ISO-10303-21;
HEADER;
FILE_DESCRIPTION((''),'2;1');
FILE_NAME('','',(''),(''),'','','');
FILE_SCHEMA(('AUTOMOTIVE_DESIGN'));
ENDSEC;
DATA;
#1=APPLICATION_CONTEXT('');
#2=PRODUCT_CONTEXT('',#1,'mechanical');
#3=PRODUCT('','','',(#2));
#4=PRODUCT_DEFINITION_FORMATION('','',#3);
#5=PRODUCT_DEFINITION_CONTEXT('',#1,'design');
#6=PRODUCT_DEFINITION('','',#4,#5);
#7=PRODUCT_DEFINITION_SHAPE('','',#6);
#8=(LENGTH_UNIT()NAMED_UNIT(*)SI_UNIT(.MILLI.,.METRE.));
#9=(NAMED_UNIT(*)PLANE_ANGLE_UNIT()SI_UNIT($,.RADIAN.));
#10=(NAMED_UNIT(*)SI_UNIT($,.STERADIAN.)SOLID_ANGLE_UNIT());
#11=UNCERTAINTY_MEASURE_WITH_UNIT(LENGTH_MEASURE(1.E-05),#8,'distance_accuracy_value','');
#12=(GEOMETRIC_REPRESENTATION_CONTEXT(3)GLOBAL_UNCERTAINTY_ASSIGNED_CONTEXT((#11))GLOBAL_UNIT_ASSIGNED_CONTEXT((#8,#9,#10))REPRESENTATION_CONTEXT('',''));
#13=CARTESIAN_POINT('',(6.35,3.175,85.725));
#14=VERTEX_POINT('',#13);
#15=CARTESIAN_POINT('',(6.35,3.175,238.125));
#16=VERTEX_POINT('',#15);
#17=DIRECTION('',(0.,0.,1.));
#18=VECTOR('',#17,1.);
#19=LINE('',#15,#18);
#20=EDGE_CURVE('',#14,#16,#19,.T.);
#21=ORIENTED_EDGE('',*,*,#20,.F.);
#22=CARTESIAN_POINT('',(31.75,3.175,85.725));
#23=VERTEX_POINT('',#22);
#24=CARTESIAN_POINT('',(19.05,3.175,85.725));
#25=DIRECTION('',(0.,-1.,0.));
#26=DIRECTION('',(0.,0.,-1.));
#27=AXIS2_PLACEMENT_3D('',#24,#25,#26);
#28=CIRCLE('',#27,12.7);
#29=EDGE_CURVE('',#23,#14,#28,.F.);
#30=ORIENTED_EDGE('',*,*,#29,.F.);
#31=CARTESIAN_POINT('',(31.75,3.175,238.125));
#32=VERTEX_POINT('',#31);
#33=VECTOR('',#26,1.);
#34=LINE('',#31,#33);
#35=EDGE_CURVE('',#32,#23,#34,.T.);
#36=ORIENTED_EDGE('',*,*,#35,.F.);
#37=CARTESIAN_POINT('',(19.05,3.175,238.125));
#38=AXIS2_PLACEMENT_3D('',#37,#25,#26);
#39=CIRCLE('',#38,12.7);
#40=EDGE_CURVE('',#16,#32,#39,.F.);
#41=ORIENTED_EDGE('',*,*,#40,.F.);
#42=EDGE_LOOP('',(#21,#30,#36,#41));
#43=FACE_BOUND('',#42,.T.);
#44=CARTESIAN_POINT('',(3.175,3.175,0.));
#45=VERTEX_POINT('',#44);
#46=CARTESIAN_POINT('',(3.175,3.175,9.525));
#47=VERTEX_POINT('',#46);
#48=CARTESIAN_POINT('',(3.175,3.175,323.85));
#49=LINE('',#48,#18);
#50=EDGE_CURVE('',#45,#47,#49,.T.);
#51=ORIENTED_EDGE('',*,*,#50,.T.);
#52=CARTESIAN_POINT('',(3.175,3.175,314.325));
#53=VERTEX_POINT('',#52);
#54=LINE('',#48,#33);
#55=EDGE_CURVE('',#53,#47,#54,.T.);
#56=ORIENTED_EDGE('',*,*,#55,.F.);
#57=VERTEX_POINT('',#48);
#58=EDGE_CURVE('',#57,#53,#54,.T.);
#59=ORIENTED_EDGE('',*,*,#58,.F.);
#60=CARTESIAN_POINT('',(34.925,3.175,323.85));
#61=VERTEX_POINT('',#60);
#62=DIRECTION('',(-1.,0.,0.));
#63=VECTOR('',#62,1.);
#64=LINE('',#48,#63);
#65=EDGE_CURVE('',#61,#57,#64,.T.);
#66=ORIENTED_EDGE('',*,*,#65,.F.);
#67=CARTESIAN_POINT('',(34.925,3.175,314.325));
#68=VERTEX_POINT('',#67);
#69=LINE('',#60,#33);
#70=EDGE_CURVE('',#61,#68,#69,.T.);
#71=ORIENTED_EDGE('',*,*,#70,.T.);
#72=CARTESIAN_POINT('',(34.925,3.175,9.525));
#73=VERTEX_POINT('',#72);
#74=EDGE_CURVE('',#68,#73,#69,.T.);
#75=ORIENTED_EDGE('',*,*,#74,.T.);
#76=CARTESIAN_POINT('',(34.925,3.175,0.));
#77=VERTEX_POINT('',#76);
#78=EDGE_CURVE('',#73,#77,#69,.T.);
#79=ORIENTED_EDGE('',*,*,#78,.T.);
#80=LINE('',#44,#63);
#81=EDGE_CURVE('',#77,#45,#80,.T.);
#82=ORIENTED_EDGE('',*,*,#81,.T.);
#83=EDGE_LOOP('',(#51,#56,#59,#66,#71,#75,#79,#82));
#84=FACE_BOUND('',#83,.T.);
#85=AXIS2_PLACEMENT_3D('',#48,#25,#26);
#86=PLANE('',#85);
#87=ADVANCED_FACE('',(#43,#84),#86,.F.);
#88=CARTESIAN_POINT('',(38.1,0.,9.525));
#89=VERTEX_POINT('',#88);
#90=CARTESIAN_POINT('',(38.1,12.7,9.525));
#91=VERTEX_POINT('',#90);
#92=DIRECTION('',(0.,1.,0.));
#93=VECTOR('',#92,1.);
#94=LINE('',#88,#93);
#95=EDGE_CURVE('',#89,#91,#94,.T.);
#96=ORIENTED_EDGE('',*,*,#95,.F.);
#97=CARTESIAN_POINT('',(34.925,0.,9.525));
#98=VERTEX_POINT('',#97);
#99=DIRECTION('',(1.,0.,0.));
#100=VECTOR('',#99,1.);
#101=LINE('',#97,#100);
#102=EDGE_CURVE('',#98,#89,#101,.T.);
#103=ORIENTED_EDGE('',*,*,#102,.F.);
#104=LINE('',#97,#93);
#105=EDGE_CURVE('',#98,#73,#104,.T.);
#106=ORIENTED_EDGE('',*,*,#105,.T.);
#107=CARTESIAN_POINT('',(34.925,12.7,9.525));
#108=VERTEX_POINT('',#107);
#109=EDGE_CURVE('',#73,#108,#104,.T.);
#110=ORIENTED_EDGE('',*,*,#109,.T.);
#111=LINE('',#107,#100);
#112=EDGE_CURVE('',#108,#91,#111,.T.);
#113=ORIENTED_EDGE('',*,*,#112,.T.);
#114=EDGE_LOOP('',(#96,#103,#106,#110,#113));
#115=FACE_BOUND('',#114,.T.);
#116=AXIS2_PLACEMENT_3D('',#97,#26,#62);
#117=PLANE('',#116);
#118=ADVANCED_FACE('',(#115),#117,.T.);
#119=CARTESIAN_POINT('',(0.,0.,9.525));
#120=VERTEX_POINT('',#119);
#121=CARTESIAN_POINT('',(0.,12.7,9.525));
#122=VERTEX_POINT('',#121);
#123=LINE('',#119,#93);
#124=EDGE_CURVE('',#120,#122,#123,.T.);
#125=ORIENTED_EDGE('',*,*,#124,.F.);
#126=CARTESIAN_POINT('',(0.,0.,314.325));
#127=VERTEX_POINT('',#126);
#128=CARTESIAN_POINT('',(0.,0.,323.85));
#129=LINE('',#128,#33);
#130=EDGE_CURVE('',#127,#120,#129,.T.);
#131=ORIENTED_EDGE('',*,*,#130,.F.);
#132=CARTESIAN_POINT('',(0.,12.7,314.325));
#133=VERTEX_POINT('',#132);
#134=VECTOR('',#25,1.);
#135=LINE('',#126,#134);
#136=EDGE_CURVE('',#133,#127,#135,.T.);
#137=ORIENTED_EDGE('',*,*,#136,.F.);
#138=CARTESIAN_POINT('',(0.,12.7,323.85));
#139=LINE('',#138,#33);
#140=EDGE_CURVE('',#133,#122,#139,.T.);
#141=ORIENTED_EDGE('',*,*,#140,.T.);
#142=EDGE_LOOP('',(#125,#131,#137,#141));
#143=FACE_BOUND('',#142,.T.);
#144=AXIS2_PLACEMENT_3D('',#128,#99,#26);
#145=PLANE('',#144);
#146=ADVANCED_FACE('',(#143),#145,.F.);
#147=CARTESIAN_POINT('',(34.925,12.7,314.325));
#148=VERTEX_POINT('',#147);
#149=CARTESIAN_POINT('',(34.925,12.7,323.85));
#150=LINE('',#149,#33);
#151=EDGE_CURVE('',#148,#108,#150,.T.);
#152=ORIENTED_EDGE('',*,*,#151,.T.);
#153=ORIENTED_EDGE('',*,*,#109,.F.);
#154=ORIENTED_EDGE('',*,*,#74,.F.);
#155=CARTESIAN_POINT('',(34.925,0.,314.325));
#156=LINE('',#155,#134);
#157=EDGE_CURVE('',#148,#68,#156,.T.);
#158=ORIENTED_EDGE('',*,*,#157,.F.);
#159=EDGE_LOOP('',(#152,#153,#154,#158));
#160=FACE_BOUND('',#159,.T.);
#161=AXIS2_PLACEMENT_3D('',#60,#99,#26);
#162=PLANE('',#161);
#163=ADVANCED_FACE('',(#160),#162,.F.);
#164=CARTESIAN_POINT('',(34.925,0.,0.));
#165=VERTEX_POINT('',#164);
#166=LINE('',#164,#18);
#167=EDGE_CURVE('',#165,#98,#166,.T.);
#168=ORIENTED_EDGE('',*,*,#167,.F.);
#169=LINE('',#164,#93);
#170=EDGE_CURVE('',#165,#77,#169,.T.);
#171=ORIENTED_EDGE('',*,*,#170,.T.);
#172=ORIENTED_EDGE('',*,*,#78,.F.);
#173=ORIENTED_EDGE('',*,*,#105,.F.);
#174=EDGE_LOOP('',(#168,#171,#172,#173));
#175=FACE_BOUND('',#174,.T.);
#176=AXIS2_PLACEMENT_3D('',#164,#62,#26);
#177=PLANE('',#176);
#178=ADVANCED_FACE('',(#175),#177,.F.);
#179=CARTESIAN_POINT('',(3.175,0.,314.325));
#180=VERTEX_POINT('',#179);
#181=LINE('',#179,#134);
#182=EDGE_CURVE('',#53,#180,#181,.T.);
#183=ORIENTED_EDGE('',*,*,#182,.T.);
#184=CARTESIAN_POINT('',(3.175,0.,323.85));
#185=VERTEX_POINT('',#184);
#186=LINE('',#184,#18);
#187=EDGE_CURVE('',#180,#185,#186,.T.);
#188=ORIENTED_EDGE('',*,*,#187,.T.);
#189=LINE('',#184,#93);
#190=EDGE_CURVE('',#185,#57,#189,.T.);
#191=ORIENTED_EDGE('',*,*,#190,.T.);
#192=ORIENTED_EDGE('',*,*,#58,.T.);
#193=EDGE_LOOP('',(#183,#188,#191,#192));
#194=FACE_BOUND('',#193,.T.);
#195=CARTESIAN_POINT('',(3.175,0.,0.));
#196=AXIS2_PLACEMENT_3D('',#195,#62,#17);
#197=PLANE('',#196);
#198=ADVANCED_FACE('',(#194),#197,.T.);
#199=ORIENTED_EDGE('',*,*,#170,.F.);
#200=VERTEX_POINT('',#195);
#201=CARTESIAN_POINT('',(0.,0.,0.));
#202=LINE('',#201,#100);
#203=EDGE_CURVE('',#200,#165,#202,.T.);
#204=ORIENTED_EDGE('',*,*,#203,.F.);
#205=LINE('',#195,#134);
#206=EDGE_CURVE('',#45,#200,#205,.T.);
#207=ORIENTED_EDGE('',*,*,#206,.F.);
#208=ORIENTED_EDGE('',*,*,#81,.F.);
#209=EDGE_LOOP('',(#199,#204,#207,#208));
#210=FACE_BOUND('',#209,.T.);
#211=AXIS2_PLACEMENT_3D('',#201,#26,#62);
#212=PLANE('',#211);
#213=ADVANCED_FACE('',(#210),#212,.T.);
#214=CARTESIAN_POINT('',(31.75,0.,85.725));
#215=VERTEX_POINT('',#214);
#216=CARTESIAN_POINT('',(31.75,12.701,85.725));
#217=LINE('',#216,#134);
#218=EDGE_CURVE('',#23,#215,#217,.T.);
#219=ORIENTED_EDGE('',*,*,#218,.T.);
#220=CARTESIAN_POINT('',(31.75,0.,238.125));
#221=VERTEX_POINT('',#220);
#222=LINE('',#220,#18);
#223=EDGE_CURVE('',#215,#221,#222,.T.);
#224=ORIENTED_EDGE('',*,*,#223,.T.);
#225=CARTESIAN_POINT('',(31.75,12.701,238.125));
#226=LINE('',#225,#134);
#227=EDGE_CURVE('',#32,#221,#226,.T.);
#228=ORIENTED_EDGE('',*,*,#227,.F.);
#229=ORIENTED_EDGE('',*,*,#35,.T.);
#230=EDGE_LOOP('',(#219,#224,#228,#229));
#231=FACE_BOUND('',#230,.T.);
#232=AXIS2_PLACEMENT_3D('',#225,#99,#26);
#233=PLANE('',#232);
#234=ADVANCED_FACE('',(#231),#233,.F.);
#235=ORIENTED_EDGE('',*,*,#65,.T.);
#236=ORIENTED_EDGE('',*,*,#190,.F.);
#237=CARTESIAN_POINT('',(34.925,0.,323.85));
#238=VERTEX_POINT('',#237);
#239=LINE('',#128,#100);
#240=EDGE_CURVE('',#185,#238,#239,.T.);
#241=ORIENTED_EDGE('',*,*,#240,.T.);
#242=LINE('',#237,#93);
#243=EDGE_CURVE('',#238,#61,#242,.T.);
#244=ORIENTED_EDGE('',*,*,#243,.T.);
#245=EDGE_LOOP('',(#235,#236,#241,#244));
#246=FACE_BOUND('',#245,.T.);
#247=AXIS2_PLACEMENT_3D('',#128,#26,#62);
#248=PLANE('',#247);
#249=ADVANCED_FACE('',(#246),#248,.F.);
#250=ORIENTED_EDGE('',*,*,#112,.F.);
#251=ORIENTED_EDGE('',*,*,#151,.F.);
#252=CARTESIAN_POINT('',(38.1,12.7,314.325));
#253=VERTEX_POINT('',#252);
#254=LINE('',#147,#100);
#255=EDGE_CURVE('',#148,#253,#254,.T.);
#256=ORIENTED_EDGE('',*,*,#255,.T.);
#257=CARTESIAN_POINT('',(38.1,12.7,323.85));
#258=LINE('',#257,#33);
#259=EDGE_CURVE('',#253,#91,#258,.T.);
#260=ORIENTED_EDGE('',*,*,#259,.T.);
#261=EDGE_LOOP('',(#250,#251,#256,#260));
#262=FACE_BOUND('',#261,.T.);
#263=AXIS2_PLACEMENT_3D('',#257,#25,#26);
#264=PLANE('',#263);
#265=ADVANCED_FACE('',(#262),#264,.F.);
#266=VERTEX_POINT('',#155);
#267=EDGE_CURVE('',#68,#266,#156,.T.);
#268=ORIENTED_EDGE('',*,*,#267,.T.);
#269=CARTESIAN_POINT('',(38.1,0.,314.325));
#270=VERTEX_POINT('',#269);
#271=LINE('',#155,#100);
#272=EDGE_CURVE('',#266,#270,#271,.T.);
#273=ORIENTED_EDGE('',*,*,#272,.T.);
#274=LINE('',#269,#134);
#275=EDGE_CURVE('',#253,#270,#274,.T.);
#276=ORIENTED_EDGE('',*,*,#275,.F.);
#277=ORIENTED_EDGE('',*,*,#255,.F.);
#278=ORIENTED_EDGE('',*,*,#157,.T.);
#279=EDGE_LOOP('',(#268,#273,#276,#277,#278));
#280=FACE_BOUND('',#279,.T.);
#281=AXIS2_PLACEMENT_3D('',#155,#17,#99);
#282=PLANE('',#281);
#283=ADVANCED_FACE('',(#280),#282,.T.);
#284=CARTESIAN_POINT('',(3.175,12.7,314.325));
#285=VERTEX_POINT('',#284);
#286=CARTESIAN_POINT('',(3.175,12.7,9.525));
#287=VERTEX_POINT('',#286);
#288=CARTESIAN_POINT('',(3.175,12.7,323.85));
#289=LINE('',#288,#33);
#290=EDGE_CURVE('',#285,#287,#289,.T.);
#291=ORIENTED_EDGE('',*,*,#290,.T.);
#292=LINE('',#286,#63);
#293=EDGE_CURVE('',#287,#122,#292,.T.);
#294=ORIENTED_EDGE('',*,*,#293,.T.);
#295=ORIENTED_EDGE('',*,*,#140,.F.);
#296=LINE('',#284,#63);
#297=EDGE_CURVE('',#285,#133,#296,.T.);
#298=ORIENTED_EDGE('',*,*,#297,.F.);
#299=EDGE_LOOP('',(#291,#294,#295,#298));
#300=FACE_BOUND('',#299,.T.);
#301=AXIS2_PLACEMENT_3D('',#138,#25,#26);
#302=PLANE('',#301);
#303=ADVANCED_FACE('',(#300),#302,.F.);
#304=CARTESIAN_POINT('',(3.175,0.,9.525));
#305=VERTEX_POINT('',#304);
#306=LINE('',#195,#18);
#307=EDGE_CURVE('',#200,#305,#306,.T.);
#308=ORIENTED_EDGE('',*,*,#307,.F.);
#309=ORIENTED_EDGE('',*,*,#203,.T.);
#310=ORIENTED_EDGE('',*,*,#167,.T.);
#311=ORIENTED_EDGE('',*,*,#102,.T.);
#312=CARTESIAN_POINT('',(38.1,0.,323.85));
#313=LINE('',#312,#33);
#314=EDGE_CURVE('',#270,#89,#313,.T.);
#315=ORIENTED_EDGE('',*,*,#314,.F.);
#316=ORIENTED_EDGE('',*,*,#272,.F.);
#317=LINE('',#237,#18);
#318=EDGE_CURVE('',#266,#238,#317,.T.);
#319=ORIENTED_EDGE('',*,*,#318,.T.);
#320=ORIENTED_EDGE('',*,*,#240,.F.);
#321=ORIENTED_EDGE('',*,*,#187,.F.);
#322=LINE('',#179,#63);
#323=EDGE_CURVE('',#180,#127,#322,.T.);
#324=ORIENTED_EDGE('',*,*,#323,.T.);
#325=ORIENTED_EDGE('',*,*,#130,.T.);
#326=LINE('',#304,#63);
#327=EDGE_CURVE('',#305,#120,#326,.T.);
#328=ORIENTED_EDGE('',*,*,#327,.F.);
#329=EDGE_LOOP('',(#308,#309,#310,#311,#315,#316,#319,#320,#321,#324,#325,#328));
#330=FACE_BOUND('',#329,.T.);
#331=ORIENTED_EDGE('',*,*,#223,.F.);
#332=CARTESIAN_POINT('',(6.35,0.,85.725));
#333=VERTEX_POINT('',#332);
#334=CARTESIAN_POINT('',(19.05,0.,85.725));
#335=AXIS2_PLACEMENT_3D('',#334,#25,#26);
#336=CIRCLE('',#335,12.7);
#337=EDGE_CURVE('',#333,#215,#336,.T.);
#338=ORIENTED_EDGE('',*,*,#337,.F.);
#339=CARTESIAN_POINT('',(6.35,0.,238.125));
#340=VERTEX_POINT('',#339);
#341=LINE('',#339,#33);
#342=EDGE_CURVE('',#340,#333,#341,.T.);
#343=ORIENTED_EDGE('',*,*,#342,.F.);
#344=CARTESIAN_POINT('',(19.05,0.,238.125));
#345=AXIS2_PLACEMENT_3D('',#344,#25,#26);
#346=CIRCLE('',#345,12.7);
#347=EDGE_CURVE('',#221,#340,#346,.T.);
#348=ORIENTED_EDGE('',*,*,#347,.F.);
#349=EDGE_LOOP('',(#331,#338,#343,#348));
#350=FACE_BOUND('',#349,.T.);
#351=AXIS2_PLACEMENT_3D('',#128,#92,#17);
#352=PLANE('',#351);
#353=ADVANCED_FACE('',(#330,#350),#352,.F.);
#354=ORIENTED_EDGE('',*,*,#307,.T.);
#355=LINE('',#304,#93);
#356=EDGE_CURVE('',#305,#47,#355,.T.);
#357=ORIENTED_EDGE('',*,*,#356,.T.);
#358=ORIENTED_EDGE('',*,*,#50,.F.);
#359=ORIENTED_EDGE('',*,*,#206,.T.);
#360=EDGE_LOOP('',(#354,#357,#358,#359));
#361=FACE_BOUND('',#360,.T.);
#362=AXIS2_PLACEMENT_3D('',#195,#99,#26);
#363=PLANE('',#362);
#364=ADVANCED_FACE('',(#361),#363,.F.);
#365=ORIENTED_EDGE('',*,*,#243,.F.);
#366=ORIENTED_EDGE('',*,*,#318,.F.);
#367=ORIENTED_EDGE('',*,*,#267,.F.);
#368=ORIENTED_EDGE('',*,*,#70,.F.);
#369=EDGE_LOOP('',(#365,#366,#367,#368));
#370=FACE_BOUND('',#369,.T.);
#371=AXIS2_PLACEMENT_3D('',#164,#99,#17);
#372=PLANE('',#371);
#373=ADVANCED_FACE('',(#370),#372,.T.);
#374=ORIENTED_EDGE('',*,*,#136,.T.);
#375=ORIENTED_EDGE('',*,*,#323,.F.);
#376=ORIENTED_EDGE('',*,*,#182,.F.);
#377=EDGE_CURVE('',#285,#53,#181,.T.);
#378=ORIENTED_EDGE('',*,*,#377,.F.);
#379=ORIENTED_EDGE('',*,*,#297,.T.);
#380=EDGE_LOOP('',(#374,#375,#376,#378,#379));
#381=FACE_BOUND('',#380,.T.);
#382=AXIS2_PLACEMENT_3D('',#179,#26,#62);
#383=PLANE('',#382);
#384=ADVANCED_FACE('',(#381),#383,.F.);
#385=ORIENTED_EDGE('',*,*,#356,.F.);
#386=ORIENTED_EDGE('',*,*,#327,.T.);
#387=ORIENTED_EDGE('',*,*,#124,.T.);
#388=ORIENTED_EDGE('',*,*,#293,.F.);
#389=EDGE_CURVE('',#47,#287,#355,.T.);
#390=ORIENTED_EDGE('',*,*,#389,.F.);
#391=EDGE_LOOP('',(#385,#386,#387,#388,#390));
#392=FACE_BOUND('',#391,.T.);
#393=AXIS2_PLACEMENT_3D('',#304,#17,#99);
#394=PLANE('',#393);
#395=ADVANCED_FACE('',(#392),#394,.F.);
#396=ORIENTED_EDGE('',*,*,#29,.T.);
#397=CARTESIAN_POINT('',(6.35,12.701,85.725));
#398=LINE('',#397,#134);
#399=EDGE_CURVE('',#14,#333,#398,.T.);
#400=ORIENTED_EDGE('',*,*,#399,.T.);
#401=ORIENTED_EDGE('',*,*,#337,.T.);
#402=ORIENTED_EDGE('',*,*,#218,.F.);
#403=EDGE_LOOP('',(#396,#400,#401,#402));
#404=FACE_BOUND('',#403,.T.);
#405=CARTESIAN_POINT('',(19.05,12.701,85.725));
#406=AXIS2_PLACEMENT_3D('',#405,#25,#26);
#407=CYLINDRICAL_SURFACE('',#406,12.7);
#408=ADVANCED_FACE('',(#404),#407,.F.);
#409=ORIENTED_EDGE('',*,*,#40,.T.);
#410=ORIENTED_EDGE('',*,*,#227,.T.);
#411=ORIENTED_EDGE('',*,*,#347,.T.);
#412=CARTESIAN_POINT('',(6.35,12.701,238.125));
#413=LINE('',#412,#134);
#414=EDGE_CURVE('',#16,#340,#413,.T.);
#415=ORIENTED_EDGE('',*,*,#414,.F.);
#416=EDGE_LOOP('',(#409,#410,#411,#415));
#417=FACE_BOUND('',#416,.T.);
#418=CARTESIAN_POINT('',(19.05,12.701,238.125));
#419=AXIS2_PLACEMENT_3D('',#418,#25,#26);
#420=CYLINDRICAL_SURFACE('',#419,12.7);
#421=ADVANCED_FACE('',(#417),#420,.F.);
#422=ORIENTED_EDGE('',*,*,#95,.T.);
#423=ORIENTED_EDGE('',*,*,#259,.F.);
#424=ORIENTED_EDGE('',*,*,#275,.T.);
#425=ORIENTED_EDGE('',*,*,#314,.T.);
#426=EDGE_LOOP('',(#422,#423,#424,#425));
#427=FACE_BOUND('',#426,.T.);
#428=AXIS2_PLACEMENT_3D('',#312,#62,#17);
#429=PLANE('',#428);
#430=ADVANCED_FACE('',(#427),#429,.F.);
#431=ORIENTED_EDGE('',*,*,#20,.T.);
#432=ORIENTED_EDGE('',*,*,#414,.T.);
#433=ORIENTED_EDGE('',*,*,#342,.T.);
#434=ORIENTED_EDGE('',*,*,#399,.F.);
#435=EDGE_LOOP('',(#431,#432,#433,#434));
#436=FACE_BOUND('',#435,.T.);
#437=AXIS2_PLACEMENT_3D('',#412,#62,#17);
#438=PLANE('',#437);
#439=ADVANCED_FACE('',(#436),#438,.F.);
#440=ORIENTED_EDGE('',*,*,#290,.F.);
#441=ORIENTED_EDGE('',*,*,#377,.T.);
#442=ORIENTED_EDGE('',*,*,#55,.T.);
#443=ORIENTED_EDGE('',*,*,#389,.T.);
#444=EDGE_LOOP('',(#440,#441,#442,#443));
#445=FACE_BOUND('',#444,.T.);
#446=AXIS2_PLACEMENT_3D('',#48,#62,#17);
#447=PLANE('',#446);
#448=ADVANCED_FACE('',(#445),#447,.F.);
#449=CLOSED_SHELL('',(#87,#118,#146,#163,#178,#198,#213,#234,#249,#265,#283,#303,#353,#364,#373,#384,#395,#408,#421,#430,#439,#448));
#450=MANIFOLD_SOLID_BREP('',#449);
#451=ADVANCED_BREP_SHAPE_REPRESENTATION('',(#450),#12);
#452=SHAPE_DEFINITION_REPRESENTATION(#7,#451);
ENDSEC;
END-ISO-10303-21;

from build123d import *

# Parameters (mm, degrees)
BOSS_EXTRUDE1_DEPTH = 323.85
SKETCH2_W           = 9.525
SKETCH2_H           = 12.7
CUT_EXTRUDE1_DEPTH  = 3.175
CUT_EXTRUDE2_REACH  = 14.7


with BuildPart() as part:
    # Sketch1 → Boss-Extrude1 (new body)
    with BuildSketch(Plane.XY):
        Polygon((3.175, 3.175), (3.175, 12.7), (0, 12.7), (0, 0), (38.1, 0), (38.1, 12.7), (34.925, 12.7), (34.925, 3.175), align=None)
    extrude(amount=BOSS_EXTRUDE1_DEPTH)

    # Sketch2 → Cut-Extrude1 (cut)
    with BuildSketch(Plane.ZY):
        with Locations((319.0875, 6.35)):
            Rectangle(SKETCH2_W, SKETCH2_H)
        with Locations((4.7625, 6.35)):
            Rectangle(SKETCH2_W, SKETCH2_H)
    cut_extrude1 = extrude(amount=-CUT_EXTRUDE1_DEPTH, mode=Mode.SUBTRACT)

    # Mirror1: Cut-Extrude1 across plane
    add(cut_extrude1.mirror(Plane.ZY.offset(-19.05)), mode=Mode.SUBTRACT)

    # Sketch3 → Cut-Extrude2 (cut, up to next)
    with BuildSketch(Plane.XZ, mode=Mode.PRIVATE) as cut_extrude2_sk1:
        with BuildLine():
            Line((31.75, 238.125), (31.75, 85.725))
            ThreePointArc((31.75, 85.725), (19.05, 73.025), (6.35, 85.725))
            Line((6.35, 85.725), (6.35, 238.125))
            ThreePointArc((6.35, 238.125), (19.05, 250.825), (31.75, 238.125))
        make_face()
    cut_extrude2_tool1 = extrude(cut_extrude2_sk1.sketch, amount=-CUT_EXTRUDE2_REACH, mode=Mode.PRIVATE) & part.part
    add(cut_extrude2_tool1.solids().sort_by_distance((19.05, 0, 161.925))[0], mode=Mode.SUBTRACT)


solid = part.part
